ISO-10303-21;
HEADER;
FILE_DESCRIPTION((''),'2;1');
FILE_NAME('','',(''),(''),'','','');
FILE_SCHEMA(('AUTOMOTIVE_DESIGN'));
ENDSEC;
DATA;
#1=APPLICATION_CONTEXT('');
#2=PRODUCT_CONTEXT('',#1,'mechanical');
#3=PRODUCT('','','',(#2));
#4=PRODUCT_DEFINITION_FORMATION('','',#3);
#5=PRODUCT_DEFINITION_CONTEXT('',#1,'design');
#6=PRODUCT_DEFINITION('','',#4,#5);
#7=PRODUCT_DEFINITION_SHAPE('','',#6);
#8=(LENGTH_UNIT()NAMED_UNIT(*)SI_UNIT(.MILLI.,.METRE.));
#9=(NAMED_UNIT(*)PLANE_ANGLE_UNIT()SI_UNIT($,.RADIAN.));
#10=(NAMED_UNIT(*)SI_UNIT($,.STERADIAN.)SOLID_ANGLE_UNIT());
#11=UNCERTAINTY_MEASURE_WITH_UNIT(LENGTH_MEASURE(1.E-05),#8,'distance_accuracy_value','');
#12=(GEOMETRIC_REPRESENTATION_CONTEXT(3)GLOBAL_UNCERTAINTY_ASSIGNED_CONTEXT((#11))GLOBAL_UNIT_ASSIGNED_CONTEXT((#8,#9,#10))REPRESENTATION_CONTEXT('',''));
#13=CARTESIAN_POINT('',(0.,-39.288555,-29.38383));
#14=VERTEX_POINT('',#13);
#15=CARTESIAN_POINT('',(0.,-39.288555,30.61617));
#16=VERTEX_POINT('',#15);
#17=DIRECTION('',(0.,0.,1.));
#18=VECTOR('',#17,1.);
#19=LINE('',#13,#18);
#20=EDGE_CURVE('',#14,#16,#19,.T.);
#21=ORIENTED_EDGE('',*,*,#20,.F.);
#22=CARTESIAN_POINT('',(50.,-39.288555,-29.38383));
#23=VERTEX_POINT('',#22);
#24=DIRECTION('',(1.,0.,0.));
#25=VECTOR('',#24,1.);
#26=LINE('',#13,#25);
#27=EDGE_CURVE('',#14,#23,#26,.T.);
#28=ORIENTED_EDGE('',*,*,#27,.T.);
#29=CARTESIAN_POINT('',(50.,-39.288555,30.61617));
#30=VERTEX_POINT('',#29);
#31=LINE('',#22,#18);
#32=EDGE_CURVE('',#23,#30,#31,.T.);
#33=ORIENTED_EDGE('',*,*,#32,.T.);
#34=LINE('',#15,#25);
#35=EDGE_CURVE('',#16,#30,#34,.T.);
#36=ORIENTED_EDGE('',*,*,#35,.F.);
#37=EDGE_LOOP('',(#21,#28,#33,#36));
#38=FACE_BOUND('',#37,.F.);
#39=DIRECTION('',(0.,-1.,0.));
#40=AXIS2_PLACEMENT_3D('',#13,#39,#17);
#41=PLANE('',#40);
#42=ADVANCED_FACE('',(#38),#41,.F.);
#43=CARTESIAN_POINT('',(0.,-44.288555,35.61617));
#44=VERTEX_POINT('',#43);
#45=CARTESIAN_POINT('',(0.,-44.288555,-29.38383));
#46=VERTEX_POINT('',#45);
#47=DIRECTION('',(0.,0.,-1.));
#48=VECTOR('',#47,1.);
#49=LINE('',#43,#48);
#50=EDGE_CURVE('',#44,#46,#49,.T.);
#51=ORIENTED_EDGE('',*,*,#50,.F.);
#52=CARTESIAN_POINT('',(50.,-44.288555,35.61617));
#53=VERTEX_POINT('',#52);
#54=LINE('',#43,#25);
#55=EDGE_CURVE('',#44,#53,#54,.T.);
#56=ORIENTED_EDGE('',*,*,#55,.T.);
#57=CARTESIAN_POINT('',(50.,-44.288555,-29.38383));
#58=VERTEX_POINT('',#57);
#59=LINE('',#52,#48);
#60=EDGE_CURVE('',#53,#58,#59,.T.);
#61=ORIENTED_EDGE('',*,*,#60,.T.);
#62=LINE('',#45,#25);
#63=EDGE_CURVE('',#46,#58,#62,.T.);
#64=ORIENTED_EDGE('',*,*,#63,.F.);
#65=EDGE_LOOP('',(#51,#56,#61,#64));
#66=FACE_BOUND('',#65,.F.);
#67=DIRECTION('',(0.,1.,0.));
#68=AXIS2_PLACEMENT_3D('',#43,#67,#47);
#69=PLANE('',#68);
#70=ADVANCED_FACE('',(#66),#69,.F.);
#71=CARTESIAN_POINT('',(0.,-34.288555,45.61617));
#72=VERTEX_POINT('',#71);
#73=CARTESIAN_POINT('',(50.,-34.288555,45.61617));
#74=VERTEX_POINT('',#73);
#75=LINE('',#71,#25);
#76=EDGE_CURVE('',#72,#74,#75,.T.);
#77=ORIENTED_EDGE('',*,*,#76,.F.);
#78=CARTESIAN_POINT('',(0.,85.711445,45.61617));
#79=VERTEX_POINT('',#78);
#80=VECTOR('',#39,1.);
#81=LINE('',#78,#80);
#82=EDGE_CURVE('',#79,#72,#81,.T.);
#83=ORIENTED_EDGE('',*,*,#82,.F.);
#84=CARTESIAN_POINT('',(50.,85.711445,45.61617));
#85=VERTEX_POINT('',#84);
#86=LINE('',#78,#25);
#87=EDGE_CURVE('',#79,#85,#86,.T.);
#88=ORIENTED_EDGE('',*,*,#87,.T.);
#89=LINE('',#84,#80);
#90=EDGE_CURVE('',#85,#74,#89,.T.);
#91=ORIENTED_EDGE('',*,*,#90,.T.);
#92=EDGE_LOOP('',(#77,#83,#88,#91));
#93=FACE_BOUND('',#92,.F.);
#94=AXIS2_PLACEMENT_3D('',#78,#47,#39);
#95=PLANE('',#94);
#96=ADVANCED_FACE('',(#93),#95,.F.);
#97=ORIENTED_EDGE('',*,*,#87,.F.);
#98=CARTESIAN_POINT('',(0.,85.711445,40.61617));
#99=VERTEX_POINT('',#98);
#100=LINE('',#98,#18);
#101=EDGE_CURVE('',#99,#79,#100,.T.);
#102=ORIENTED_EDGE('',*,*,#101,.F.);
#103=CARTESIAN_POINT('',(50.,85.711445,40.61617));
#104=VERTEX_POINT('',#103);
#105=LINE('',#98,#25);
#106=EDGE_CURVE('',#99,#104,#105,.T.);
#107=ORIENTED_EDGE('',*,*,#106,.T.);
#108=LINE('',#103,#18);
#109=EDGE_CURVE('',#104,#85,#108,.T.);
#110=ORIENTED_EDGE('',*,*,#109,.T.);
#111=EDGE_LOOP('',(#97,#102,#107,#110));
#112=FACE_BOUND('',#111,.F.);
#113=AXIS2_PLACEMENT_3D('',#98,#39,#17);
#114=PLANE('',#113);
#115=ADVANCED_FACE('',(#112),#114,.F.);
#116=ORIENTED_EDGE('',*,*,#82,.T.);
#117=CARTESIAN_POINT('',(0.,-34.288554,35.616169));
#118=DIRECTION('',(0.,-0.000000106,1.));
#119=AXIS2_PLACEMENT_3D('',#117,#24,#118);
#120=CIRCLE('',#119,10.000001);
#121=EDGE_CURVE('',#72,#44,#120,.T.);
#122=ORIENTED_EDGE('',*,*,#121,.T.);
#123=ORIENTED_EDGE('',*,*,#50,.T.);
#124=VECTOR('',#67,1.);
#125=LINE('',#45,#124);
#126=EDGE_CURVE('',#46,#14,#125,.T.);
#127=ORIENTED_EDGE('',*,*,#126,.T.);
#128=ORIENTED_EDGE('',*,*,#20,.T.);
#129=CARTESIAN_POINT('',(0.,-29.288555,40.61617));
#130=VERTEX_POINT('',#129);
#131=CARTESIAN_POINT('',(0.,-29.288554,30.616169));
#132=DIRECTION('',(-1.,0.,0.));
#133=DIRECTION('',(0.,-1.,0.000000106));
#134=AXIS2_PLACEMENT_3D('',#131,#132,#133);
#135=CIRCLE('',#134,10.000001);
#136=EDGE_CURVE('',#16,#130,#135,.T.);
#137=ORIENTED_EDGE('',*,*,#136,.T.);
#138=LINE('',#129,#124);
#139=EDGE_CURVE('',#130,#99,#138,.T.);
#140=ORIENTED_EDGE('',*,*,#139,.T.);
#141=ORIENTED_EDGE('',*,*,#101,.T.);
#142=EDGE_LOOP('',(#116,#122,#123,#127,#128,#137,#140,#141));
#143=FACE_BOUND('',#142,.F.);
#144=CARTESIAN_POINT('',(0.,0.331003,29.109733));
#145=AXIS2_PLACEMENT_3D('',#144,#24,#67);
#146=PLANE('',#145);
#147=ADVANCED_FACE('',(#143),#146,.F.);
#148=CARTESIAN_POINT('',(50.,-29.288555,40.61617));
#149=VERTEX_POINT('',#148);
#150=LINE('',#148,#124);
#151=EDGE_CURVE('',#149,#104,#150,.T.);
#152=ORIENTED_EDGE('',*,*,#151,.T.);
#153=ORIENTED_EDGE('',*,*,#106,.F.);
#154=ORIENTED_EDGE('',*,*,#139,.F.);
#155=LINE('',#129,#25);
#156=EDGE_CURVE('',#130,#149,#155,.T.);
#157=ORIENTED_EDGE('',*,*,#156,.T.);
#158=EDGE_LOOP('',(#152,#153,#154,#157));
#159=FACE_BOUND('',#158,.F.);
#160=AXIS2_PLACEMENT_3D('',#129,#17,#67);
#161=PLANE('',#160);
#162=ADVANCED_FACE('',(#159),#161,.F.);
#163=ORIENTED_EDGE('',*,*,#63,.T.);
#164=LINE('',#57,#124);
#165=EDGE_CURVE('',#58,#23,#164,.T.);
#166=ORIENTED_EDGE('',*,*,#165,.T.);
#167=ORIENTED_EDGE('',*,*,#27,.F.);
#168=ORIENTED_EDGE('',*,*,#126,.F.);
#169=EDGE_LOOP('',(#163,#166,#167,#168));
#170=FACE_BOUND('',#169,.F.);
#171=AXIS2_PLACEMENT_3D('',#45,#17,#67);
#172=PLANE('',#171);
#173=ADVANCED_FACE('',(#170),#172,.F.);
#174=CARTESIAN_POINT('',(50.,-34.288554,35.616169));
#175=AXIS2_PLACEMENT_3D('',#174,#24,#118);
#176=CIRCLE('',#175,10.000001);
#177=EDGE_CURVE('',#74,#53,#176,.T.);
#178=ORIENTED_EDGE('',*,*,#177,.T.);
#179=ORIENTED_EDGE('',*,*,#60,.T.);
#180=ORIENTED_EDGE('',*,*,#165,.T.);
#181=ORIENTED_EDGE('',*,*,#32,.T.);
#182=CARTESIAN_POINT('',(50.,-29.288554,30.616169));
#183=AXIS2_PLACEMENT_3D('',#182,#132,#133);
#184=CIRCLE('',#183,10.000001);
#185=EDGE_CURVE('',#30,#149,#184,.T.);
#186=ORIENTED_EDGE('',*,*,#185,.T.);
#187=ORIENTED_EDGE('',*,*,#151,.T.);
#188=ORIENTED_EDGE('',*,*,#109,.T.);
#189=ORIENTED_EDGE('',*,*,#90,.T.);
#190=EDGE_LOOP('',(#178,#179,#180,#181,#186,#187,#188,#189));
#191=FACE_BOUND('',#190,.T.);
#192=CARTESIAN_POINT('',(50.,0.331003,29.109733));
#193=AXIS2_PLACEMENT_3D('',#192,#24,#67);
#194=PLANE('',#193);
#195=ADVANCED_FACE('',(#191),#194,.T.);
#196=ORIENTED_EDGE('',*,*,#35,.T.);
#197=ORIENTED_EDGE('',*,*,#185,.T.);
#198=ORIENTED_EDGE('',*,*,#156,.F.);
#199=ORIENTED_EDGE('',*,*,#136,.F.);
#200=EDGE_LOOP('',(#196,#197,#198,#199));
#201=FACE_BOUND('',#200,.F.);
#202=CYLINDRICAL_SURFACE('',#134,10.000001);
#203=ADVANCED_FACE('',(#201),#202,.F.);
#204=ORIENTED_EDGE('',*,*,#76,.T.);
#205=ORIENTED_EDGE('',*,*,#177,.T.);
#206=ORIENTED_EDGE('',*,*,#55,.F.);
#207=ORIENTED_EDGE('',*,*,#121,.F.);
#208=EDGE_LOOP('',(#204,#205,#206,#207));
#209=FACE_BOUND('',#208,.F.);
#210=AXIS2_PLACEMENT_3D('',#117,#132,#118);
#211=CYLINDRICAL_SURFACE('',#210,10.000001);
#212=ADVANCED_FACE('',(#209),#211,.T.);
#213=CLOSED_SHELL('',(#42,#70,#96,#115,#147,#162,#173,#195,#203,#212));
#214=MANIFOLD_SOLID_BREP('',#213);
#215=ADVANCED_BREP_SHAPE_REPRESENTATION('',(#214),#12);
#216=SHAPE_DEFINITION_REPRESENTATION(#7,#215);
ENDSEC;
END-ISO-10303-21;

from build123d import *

# Parameters (mm, degrees)
F1_DEPTH = 50


with BuildPart() as f1:
    # F0 (on Right) → F1 (new body)
    with BuildSketch(Plane.YZ):
        with BuildLine():
            Line((85.711445, 45.61617), (-34.288555, 45.61617))
            ThreePointArc((-34.288555, 45.61617), (-41.359622, 42.687238), (-44.288555, 35.61617))
            Line((-44.288555, 35.61617), (-44.288555, -29.38383))
            Line((-44.288555, -29.38383), (-39.288555, -29.38383))
            Line((-39.288555, -29.38383), (-39.288555, 30.61617))
            ThreePointArc((-39.288555, 30.61617), (-36.359622, 37.687238), (-29.288555, 40.61617))
            Line((-29.288555, 40.61617), (85.711445, 40.61617))
            Line((85.711445, 40.61617), (85.711445, 45.61617))
        make_face()
    extrude(amount=F1_DEPTH)


solid = f1.part
